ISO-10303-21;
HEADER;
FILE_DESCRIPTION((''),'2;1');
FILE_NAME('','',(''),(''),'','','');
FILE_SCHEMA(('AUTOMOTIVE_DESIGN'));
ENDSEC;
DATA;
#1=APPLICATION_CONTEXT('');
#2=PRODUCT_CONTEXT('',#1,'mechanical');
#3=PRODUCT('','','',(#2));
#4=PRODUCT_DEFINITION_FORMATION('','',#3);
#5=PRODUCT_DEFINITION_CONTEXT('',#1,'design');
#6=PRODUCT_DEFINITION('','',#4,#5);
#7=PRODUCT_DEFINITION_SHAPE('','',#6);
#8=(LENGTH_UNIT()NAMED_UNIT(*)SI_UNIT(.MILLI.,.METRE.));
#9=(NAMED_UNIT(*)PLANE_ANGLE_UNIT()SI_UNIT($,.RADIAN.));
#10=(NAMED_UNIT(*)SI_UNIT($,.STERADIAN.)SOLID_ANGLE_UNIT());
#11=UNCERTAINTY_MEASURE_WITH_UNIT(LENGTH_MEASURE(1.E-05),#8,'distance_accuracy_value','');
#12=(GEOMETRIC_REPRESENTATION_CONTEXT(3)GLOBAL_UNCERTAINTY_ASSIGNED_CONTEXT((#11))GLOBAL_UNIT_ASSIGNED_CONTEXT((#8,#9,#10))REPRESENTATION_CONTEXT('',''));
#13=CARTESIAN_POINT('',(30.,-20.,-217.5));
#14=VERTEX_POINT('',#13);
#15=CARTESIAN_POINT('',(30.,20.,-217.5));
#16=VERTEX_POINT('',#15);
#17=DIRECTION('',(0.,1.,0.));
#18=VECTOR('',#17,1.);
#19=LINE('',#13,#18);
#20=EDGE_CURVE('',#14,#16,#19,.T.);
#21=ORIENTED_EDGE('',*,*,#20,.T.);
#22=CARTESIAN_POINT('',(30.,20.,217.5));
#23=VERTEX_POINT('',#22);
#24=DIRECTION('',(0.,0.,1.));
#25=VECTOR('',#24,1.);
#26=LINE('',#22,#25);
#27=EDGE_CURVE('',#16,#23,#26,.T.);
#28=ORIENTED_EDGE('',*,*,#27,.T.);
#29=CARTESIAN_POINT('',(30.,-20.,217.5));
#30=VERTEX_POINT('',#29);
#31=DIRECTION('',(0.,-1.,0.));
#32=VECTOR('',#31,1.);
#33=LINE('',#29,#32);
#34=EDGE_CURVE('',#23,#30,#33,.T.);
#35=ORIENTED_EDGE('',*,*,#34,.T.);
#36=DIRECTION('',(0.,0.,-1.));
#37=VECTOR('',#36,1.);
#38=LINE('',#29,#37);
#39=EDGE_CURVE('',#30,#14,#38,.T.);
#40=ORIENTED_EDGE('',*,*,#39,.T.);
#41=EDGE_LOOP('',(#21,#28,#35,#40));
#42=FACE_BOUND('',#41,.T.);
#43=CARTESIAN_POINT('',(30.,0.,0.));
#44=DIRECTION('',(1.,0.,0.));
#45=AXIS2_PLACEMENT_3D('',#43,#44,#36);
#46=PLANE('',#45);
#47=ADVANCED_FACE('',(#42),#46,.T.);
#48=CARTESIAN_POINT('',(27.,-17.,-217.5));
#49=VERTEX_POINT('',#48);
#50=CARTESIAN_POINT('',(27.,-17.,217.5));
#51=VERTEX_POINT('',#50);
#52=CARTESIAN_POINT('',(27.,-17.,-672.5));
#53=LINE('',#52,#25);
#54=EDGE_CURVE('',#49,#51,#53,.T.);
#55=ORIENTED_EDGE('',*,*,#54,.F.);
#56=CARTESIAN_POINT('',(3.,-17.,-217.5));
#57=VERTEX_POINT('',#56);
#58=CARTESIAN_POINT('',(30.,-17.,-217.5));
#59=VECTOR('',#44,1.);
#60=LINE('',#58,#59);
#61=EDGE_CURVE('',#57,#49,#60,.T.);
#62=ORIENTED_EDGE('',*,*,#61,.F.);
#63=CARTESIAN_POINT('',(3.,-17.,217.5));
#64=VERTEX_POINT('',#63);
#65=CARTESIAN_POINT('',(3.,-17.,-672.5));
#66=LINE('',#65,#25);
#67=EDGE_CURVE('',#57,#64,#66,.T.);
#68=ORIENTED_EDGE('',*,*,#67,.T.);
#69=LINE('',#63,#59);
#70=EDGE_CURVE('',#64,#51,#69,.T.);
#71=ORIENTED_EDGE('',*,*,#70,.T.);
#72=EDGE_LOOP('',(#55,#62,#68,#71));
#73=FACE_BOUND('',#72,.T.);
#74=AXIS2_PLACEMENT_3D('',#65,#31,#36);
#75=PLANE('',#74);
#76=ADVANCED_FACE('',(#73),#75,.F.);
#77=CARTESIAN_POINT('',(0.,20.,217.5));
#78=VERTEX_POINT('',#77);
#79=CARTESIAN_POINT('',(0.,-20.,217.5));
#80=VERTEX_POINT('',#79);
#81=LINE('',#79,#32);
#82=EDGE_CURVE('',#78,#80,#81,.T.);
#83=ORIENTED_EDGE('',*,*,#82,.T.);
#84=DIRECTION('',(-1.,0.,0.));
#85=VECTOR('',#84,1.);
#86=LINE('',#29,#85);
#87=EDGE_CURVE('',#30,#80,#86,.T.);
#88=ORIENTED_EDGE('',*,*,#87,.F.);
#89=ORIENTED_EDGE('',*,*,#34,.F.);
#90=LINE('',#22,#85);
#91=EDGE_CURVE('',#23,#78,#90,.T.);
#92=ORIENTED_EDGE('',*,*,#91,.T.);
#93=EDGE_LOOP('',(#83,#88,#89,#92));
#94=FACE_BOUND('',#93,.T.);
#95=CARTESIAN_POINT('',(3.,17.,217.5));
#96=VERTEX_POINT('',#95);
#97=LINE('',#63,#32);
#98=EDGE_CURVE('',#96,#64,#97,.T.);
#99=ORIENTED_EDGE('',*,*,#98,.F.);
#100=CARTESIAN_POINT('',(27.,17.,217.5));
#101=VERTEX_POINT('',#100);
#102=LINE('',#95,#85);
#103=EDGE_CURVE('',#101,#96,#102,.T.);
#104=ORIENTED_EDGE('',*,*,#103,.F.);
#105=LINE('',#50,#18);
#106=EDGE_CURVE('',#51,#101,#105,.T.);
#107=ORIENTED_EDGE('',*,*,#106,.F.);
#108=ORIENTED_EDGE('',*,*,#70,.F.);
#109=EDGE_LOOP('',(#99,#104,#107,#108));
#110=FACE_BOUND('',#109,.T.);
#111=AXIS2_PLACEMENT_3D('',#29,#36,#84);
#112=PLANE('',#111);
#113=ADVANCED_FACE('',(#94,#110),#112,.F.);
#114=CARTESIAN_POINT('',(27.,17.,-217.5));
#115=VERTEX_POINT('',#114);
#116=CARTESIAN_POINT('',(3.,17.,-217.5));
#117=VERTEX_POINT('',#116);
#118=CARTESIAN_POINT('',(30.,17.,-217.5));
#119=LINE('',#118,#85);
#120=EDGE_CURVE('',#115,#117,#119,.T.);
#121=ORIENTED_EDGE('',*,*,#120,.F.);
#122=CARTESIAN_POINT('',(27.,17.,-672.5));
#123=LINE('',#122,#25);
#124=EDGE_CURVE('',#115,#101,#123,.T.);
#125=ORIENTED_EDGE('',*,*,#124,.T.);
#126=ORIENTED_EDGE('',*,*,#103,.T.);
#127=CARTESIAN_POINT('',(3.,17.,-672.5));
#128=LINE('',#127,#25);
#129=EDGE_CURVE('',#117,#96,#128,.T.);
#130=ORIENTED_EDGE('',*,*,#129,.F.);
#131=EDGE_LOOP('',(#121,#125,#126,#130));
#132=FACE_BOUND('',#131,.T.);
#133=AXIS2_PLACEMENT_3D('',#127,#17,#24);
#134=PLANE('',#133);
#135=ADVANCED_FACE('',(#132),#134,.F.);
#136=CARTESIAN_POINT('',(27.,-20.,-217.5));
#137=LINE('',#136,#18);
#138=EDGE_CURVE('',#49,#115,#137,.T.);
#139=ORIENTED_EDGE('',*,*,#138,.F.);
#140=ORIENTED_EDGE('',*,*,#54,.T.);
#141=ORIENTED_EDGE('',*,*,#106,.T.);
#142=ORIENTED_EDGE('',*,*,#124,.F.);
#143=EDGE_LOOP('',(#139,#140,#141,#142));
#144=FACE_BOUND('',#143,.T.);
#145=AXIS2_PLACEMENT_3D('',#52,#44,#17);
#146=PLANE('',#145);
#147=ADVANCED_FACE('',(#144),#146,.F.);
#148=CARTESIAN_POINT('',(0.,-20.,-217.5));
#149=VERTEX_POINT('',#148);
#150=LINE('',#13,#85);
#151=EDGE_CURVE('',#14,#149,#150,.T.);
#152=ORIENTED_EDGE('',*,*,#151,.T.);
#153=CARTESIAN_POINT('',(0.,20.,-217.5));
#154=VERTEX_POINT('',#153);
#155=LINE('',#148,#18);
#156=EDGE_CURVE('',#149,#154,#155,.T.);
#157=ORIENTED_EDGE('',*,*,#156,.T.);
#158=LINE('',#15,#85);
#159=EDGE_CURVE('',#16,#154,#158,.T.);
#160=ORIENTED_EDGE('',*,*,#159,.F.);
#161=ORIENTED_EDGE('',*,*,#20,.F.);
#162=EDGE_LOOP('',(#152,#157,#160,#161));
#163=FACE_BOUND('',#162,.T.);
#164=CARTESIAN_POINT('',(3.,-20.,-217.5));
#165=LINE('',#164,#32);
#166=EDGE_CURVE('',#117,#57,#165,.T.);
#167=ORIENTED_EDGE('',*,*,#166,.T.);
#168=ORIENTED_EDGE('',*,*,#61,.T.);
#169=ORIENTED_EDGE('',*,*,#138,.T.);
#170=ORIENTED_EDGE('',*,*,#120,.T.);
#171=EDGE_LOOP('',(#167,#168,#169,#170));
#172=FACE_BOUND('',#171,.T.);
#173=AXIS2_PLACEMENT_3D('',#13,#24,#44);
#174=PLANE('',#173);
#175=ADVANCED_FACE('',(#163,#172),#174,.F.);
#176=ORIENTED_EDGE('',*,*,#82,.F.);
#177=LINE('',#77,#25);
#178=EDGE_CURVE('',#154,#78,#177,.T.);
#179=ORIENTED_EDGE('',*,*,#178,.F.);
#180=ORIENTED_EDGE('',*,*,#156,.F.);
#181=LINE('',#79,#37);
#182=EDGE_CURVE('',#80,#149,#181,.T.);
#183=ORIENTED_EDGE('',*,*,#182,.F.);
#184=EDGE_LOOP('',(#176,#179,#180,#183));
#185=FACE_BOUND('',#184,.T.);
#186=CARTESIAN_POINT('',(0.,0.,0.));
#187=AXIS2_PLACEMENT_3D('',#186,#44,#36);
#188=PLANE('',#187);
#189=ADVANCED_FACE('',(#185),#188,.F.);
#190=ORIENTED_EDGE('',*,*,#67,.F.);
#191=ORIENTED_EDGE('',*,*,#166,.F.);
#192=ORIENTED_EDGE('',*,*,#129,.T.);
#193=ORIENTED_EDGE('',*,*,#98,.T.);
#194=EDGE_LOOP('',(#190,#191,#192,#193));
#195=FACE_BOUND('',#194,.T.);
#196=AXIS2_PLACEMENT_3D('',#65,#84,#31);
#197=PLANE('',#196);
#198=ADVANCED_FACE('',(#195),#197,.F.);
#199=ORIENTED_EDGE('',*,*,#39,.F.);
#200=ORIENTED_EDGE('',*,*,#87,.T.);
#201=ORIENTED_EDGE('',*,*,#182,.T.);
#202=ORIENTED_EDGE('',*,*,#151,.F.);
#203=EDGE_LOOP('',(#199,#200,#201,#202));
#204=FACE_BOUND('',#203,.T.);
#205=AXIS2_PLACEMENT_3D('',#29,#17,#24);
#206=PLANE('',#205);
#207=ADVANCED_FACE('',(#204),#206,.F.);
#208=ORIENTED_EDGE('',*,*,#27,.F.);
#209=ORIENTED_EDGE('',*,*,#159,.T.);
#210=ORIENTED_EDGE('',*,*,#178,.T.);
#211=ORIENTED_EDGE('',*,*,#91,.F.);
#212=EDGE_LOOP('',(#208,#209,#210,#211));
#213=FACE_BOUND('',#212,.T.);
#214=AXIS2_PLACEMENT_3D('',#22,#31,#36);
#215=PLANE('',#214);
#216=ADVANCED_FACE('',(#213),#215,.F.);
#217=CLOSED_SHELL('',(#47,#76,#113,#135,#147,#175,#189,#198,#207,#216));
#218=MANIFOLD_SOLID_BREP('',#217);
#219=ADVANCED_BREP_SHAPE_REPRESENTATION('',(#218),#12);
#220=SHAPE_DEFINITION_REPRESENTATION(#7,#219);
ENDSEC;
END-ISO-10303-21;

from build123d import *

# Parameters (mm, degrees)
CROQUIS1_W              = 435
CROQUIS1_H              = 40
SALIENTE_EXTRUIR1_DEPTH = 30
CROQUIS2_W              = 24
CROQUIS2_H              = 34
CORTAR_EXTRUIR1_DEPTH   = 890


with BuildPart() as part:
    # Croquis1 → Saliente-Extruir1 (new body)
    with BuildSketch(Plane(origin=(0, 0, 0), x_dir=(0, 0, -1), z_dir=(1, 0, 0))):
        Rectangle(CROQUIS1_W, CROQUIS1_H)
    extrude(amount=SALIENTE_EXTRUIR1_DEPTH)

    # Croquis2 → Cortar-Extruir1 (cut)
    with BuildSketch(Plane.XY.offset(217.5)):
        with Locations((15, 0)):
            Rectangle(CROQUIS2_W, CROQUIS2_H)
    extrude(amount=-CORTAR_EXTRUIR1_DEPTH, mode=Mode.SUBTRACT)


solid = part.part
